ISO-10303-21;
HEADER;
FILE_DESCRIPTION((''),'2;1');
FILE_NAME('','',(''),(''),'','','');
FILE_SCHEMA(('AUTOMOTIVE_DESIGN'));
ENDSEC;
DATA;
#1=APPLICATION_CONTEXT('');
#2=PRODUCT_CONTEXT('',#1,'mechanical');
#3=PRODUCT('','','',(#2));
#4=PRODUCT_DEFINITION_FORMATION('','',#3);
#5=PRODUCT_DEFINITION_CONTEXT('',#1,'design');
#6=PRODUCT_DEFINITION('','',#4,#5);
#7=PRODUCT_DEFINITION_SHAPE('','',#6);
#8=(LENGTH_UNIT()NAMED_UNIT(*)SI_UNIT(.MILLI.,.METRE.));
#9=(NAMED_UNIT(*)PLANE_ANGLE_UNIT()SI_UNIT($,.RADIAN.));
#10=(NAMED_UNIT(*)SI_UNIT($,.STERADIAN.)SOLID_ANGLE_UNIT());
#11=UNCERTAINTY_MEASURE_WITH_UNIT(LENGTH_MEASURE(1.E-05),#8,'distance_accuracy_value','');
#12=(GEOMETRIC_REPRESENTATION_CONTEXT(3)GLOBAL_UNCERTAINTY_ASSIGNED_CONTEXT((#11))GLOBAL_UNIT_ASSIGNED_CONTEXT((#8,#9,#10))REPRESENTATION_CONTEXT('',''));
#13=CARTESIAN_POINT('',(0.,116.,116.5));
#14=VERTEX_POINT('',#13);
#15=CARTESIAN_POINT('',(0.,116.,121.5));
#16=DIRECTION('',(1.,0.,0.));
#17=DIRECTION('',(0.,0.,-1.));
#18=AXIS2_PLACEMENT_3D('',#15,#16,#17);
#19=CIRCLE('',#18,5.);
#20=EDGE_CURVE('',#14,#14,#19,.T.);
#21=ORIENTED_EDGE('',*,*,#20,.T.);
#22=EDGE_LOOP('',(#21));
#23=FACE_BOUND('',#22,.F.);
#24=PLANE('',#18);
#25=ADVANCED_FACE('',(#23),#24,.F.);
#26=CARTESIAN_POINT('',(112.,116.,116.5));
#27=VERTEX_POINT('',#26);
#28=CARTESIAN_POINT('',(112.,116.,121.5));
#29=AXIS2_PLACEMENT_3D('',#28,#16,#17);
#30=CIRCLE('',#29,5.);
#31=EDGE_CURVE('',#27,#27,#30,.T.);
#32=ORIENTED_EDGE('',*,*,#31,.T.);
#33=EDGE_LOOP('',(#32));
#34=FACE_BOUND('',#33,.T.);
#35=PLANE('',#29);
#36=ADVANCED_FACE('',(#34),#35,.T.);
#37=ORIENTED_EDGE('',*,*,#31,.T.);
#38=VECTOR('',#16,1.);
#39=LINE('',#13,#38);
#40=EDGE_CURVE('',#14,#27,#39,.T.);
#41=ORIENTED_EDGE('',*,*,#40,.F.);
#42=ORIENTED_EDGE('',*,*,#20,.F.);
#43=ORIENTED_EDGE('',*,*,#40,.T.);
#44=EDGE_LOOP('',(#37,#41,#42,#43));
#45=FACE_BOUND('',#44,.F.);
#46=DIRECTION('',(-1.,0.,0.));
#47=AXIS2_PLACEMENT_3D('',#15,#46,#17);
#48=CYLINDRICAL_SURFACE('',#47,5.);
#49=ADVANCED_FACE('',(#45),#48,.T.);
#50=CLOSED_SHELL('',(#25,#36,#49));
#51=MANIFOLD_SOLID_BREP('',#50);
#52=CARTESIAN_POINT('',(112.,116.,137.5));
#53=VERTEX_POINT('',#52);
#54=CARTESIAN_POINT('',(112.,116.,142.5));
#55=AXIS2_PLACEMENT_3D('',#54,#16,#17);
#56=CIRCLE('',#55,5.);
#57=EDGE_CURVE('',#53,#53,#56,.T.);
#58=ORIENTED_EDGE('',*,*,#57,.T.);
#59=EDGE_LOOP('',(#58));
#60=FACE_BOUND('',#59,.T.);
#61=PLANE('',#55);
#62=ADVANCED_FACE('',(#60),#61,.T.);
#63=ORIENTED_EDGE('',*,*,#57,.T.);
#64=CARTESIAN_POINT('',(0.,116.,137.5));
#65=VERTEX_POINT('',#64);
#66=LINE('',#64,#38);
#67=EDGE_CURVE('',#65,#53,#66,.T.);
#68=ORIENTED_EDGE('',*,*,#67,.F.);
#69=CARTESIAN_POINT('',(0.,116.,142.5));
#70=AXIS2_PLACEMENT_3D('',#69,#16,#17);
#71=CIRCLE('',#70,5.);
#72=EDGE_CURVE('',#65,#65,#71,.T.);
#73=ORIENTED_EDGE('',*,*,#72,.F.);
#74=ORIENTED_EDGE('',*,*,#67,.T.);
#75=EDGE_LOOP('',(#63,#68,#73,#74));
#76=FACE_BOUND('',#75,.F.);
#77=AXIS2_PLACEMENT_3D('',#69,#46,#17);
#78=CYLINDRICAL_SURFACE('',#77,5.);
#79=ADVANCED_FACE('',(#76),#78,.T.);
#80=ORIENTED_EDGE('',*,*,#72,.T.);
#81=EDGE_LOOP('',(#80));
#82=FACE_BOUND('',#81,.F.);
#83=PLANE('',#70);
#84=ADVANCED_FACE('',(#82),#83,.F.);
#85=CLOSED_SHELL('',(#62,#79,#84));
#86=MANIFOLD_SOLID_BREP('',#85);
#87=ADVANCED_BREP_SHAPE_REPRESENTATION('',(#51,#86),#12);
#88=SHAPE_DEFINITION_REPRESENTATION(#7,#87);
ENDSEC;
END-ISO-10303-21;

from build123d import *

# Parameters (mm, degrees)
CYLINDER002_R     = 5
CYLINDER002_DEPTH = 112
CYLINDER001_R     = 5
CYLINDER001_DEPTH = 112


with BuildPart() as cylinder002:
    # Cylinder002 → Cylinder002 (new body)
    with BuildSketch(Plane(origin=(0, 116, 142.5), x_dir=(0, 0, -1), z_dir=(1, 0, 0))):
        Circle(CYLINDER002_R)
    extrude(amount=CYLINDER002_DEPTH)


with BuildPart() as nitrogenpipes10mm:
    # Cylinder001 → Cylinder001 (new body)
    with BuildSketch(Plane(origin=(0, 116, 121.5), x_dir=(0, 0, -1), z_dir=(1, 0, 0))):
        Circle(CYLINDER001_R)
    extrude(amount=CYLINDER001_DEPTH)

    # Fusion: union Cylinder002
    add(cylinder002.part)


solid = nitrogenpipes10mm.part
